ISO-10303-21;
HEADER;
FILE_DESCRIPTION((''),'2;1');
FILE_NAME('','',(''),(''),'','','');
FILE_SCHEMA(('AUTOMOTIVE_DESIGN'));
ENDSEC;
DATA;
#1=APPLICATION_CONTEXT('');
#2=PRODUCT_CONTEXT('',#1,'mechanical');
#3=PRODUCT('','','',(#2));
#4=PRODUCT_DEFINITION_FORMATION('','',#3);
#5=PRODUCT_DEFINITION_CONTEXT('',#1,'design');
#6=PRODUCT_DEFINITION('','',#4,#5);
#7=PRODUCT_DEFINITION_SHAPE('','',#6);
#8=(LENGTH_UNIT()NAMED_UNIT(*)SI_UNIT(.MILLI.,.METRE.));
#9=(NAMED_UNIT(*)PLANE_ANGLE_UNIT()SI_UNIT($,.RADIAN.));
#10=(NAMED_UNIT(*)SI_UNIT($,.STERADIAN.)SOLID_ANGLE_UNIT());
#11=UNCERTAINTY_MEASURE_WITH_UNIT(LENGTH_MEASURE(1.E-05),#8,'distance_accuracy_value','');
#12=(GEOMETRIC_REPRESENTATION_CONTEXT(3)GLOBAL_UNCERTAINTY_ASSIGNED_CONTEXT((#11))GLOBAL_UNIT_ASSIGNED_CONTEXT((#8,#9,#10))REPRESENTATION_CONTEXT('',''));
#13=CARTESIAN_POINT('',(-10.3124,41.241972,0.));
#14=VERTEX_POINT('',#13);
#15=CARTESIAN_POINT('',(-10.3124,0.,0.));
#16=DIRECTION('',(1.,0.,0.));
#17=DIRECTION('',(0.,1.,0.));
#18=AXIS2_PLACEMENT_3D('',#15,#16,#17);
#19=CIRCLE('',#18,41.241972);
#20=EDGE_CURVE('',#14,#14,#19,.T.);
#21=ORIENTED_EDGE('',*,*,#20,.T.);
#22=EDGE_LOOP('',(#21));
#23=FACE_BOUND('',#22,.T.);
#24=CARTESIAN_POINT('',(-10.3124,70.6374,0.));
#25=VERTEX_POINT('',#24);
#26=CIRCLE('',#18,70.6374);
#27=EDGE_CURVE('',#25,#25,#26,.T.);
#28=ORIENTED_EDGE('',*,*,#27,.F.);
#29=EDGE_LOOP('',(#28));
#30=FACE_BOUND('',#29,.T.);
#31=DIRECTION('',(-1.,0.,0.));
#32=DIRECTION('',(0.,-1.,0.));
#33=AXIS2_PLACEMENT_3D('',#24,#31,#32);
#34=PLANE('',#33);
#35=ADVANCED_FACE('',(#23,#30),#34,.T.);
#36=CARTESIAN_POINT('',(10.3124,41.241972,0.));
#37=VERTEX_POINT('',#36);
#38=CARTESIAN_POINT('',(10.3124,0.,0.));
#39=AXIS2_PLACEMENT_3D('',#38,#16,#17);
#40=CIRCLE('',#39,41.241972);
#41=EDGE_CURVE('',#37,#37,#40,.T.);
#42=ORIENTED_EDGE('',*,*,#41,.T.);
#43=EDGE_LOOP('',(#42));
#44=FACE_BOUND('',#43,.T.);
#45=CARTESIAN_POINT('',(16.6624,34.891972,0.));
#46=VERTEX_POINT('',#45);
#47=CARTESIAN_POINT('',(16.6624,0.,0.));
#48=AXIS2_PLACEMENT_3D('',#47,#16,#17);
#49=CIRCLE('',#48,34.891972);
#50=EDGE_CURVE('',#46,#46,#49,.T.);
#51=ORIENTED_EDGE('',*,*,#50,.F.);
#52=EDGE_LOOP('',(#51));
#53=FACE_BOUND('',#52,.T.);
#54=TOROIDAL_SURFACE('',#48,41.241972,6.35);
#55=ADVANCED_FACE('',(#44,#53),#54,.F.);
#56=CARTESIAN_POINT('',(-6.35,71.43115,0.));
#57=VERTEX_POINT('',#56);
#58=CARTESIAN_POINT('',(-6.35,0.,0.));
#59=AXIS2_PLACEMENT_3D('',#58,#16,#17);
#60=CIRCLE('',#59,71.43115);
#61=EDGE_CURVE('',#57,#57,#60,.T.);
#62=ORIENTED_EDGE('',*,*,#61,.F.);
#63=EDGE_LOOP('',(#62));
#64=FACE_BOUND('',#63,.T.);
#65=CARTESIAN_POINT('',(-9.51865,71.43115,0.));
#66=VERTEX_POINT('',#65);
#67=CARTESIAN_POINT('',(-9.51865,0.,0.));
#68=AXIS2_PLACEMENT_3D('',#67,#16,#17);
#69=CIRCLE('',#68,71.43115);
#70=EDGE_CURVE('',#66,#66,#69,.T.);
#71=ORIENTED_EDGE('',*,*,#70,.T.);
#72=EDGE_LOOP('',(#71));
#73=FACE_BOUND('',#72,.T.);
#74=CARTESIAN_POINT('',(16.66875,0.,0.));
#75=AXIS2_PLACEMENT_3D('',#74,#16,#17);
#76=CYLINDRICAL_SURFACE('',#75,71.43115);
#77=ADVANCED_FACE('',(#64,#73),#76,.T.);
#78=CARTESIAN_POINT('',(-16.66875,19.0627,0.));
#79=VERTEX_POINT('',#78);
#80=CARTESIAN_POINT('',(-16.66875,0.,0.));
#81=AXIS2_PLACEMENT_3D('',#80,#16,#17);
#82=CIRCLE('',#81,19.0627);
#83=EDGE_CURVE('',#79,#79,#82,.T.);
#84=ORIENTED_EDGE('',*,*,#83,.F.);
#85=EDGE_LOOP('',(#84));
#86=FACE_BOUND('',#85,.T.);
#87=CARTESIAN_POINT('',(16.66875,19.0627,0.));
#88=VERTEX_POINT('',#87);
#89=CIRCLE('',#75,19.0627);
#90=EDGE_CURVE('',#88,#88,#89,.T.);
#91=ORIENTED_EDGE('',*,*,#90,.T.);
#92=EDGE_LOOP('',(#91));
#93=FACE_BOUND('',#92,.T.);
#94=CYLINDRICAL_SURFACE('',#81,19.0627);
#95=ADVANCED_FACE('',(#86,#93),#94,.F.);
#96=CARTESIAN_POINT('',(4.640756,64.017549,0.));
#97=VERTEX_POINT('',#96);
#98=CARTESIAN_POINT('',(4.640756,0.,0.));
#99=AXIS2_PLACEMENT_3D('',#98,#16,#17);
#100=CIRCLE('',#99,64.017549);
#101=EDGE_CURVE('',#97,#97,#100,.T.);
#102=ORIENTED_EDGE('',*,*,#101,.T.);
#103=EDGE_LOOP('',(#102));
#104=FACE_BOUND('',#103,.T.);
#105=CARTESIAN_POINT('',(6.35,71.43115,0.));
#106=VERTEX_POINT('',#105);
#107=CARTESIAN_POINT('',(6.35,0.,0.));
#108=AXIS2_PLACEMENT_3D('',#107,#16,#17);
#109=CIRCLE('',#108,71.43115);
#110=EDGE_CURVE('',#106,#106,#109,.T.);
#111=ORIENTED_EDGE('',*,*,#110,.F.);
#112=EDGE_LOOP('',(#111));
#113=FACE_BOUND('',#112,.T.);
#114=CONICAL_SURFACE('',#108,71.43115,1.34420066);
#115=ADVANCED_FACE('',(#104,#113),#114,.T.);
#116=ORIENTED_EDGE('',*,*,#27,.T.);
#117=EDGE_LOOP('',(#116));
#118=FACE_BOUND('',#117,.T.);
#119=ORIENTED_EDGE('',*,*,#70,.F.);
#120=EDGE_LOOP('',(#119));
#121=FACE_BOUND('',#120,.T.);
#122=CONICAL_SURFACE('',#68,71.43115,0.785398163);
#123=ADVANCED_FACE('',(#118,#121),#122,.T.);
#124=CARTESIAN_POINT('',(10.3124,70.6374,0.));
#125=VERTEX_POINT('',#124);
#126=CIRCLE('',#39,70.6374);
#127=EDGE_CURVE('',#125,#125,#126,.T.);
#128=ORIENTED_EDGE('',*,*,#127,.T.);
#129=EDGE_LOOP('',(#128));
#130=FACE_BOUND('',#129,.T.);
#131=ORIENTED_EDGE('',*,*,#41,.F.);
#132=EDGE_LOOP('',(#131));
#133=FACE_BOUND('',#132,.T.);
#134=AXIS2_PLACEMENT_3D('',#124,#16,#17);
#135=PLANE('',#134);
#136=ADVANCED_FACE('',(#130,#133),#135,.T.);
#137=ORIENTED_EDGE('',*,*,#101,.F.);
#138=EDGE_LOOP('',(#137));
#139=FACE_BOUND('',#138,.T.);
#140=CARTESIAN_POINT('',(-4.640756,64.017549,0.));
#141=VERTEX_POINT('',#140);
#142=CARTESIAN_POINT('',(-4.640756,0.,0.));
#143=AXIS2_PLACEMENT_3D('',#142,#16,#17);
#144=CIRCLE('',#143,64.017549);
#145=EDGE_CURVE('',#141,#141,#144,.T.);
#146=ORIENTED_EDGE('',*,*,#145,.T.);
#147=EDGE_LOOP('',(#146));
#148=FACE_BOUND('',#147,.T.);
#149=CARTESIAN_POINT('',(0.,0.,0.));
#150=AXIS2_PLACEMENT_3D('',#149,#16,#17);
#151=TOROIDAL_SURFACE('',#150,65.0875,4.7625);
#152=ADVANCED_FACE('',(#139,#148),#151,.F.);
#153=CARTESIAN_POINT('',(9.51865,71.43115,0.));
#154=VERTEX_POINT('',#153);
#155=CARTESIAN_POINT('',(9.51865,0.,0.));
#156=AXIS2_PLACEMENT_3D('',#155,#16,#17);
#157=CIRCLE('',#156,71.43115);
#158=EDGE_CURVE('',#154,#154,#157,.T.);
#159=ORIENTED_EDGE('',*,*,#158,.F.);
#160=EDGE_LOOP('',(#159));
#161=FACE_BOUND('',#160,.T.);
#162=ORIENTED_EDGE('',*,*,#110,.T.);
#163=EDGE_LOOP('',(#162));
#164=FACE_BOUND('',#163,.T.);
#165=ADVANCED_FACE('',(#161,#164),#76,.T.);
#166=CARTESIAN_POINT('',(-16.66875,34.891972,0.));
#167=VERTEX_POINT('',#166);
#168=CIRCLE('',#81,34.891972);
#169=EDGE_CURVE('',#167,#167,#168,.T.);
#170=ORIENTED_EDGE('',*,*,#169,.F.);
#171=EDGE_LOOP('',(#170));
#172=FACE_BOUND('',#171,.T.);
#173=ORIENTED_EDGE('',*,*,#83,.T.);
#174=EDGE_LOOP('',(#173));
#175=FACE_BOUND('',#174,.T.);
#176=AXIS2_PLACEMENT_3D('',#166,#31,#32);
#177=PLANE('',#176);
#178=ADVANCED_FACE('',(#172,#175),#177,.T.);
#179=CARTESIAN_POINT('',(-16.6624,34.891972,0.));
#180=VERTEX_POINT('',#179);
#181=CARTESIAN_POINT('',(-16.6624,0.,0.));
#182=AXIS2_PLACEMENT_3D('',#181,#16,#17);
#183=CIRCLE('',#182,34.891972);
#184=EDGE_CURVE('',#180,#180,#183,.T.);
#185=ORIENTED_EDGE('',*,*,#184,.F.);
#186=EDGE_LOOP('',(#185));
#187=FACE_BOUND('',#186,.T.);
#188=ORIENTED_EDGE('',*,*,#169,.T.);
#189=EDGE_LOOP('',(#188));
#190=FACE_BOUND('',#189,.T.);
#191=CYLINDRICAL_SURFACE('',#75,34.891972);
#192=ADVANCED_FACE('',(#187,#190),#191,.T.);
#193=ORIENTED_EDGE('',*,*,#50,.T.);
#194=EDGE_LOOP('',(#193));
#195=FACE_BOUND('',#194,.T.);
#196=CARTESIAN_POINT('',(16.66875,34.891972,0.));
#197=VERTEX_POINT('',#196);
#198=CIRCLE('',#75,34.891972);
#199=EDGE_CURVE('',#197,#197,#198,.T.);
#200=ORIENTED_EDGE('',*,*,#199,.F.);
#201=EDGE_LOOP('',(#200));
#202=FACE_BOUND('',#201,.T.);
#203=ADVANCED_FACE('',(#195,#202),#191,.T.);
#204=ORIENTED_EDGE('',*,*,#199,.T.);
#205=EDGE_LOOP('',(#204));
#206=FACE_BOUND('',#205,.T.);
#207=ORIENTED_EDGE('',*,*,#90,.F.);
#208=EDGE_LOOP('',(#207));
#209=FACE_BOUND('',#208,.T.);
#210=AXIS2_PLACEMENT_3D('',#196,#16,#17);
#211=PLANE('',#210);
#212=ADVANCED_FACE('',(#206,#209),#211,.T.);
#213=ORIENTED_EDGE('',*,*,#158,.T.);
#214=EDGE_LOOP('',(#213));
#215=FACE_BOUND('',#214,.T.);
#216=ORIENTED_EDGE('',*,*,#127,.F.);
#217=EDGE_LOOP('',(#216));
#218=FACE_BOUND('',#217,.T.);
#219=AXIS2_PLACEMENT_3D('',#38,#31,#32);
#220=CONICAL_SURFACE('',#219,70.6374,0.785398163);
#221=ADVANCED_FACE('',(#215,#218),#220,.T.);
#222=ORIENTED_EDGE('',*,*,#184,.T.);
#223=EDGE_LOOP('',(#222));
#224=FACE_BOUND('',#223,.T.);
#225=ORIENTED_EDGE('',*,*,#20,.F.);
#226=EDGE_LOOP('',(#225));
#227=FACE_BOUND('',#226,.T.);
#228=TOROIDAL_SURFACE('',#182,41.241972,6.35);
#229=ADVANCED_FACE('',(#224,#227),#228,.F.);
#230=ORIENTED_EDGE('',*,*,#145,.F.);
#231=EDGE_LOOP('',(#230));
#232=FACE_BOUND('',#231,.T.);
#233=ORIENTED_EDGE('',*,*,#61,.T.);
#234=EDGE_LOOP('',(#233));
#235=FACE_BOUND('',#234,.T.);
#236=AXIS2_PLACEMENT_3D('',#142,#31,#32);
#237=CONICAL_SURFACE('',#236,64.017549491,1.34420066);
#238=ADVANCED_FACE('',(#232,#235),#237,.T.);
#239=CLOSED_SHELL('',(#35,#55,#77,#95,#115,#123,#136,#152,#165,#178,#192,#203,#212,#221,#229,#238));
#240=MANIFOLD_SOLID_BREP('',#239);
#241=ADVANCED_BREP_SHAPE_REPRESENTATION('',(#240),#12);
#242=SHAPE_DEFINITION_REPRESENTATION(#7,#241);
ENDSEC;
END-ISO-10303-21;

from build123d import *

# Parameters (mm, degrees)
SKETCH2_R          = 19.0627
CUT_EXTRUDE1_DEPTH = 34.3375


with BuildPart() as part:
    # Sketch1 → Revolve1 (revolve)
    with BuildSketch(Plane.XY):
        with BuildLine():
            Line((16.66875, 0), (-16.66875, 0))
            Line((-16.66875, 0), (-16.66875, 34.891972302))
            Line((-16.66875, 34.891972302), (-16.6624, 34.891972302))
            ThreePointArc((-16.6624, 34.891972302), (-12.172271939, 36.751844242), (-10.3124, 41.241972302))
            Line((-10.3124, 41.241972302), (-10.3124, 70.6374))
            Line((-10.3124, 70.6374), (-9.51865, 71.43115))
            Line((-9.51865, 71.43115), (-6.35, 71.43115))
            Line((-6.35, 71.43115), (-4.640755559, 64.017549491))
            ThreePointArc((-4.640755559, 64.017549491), (0, 60.325), (4.640755559, 64.017549491))
            Line((4.640755559, 64.017549491), (6.35, 71.43115))
            Line((6.35, 71.43115), (9.51865, 71.43115))
            Line((9.51865, 71.43115), (10.3124, 70.6374))
            Line((10.3124, 70.6374), (10.3124, 41.241972302))
            ThreePointArc((10.3124, 41.241972302), (12.172271939, 36.751844242), (16.6624, 34.891972302))
            Line((16.6624, 34.891972302), (16.66875, 34.891972302))
            Line((16.66875, 34.891972302), (16.66875, 0))
        make_face()
    revolve(axis=Axis((16.66875, 0, 0), (-1, 0, 0)))

    # Sketch2 → Cut-Extrude1 (cut, through all)
    with BuildSketch(Plane(origin=(16.66875, 0, 0), x_dir=(0, 0, -1), z_dir=(1, 0, 0))):
        with Locations(Location((0, 0, 0), (0, 0, 90))):  # turned: the seam where the file's is
            Circle(SKETCH2_R)
    extrude(amount=-CUT_EXTRUDE1_DEPTH, mode=Mode.SUBTRACT)


solid = part.part
